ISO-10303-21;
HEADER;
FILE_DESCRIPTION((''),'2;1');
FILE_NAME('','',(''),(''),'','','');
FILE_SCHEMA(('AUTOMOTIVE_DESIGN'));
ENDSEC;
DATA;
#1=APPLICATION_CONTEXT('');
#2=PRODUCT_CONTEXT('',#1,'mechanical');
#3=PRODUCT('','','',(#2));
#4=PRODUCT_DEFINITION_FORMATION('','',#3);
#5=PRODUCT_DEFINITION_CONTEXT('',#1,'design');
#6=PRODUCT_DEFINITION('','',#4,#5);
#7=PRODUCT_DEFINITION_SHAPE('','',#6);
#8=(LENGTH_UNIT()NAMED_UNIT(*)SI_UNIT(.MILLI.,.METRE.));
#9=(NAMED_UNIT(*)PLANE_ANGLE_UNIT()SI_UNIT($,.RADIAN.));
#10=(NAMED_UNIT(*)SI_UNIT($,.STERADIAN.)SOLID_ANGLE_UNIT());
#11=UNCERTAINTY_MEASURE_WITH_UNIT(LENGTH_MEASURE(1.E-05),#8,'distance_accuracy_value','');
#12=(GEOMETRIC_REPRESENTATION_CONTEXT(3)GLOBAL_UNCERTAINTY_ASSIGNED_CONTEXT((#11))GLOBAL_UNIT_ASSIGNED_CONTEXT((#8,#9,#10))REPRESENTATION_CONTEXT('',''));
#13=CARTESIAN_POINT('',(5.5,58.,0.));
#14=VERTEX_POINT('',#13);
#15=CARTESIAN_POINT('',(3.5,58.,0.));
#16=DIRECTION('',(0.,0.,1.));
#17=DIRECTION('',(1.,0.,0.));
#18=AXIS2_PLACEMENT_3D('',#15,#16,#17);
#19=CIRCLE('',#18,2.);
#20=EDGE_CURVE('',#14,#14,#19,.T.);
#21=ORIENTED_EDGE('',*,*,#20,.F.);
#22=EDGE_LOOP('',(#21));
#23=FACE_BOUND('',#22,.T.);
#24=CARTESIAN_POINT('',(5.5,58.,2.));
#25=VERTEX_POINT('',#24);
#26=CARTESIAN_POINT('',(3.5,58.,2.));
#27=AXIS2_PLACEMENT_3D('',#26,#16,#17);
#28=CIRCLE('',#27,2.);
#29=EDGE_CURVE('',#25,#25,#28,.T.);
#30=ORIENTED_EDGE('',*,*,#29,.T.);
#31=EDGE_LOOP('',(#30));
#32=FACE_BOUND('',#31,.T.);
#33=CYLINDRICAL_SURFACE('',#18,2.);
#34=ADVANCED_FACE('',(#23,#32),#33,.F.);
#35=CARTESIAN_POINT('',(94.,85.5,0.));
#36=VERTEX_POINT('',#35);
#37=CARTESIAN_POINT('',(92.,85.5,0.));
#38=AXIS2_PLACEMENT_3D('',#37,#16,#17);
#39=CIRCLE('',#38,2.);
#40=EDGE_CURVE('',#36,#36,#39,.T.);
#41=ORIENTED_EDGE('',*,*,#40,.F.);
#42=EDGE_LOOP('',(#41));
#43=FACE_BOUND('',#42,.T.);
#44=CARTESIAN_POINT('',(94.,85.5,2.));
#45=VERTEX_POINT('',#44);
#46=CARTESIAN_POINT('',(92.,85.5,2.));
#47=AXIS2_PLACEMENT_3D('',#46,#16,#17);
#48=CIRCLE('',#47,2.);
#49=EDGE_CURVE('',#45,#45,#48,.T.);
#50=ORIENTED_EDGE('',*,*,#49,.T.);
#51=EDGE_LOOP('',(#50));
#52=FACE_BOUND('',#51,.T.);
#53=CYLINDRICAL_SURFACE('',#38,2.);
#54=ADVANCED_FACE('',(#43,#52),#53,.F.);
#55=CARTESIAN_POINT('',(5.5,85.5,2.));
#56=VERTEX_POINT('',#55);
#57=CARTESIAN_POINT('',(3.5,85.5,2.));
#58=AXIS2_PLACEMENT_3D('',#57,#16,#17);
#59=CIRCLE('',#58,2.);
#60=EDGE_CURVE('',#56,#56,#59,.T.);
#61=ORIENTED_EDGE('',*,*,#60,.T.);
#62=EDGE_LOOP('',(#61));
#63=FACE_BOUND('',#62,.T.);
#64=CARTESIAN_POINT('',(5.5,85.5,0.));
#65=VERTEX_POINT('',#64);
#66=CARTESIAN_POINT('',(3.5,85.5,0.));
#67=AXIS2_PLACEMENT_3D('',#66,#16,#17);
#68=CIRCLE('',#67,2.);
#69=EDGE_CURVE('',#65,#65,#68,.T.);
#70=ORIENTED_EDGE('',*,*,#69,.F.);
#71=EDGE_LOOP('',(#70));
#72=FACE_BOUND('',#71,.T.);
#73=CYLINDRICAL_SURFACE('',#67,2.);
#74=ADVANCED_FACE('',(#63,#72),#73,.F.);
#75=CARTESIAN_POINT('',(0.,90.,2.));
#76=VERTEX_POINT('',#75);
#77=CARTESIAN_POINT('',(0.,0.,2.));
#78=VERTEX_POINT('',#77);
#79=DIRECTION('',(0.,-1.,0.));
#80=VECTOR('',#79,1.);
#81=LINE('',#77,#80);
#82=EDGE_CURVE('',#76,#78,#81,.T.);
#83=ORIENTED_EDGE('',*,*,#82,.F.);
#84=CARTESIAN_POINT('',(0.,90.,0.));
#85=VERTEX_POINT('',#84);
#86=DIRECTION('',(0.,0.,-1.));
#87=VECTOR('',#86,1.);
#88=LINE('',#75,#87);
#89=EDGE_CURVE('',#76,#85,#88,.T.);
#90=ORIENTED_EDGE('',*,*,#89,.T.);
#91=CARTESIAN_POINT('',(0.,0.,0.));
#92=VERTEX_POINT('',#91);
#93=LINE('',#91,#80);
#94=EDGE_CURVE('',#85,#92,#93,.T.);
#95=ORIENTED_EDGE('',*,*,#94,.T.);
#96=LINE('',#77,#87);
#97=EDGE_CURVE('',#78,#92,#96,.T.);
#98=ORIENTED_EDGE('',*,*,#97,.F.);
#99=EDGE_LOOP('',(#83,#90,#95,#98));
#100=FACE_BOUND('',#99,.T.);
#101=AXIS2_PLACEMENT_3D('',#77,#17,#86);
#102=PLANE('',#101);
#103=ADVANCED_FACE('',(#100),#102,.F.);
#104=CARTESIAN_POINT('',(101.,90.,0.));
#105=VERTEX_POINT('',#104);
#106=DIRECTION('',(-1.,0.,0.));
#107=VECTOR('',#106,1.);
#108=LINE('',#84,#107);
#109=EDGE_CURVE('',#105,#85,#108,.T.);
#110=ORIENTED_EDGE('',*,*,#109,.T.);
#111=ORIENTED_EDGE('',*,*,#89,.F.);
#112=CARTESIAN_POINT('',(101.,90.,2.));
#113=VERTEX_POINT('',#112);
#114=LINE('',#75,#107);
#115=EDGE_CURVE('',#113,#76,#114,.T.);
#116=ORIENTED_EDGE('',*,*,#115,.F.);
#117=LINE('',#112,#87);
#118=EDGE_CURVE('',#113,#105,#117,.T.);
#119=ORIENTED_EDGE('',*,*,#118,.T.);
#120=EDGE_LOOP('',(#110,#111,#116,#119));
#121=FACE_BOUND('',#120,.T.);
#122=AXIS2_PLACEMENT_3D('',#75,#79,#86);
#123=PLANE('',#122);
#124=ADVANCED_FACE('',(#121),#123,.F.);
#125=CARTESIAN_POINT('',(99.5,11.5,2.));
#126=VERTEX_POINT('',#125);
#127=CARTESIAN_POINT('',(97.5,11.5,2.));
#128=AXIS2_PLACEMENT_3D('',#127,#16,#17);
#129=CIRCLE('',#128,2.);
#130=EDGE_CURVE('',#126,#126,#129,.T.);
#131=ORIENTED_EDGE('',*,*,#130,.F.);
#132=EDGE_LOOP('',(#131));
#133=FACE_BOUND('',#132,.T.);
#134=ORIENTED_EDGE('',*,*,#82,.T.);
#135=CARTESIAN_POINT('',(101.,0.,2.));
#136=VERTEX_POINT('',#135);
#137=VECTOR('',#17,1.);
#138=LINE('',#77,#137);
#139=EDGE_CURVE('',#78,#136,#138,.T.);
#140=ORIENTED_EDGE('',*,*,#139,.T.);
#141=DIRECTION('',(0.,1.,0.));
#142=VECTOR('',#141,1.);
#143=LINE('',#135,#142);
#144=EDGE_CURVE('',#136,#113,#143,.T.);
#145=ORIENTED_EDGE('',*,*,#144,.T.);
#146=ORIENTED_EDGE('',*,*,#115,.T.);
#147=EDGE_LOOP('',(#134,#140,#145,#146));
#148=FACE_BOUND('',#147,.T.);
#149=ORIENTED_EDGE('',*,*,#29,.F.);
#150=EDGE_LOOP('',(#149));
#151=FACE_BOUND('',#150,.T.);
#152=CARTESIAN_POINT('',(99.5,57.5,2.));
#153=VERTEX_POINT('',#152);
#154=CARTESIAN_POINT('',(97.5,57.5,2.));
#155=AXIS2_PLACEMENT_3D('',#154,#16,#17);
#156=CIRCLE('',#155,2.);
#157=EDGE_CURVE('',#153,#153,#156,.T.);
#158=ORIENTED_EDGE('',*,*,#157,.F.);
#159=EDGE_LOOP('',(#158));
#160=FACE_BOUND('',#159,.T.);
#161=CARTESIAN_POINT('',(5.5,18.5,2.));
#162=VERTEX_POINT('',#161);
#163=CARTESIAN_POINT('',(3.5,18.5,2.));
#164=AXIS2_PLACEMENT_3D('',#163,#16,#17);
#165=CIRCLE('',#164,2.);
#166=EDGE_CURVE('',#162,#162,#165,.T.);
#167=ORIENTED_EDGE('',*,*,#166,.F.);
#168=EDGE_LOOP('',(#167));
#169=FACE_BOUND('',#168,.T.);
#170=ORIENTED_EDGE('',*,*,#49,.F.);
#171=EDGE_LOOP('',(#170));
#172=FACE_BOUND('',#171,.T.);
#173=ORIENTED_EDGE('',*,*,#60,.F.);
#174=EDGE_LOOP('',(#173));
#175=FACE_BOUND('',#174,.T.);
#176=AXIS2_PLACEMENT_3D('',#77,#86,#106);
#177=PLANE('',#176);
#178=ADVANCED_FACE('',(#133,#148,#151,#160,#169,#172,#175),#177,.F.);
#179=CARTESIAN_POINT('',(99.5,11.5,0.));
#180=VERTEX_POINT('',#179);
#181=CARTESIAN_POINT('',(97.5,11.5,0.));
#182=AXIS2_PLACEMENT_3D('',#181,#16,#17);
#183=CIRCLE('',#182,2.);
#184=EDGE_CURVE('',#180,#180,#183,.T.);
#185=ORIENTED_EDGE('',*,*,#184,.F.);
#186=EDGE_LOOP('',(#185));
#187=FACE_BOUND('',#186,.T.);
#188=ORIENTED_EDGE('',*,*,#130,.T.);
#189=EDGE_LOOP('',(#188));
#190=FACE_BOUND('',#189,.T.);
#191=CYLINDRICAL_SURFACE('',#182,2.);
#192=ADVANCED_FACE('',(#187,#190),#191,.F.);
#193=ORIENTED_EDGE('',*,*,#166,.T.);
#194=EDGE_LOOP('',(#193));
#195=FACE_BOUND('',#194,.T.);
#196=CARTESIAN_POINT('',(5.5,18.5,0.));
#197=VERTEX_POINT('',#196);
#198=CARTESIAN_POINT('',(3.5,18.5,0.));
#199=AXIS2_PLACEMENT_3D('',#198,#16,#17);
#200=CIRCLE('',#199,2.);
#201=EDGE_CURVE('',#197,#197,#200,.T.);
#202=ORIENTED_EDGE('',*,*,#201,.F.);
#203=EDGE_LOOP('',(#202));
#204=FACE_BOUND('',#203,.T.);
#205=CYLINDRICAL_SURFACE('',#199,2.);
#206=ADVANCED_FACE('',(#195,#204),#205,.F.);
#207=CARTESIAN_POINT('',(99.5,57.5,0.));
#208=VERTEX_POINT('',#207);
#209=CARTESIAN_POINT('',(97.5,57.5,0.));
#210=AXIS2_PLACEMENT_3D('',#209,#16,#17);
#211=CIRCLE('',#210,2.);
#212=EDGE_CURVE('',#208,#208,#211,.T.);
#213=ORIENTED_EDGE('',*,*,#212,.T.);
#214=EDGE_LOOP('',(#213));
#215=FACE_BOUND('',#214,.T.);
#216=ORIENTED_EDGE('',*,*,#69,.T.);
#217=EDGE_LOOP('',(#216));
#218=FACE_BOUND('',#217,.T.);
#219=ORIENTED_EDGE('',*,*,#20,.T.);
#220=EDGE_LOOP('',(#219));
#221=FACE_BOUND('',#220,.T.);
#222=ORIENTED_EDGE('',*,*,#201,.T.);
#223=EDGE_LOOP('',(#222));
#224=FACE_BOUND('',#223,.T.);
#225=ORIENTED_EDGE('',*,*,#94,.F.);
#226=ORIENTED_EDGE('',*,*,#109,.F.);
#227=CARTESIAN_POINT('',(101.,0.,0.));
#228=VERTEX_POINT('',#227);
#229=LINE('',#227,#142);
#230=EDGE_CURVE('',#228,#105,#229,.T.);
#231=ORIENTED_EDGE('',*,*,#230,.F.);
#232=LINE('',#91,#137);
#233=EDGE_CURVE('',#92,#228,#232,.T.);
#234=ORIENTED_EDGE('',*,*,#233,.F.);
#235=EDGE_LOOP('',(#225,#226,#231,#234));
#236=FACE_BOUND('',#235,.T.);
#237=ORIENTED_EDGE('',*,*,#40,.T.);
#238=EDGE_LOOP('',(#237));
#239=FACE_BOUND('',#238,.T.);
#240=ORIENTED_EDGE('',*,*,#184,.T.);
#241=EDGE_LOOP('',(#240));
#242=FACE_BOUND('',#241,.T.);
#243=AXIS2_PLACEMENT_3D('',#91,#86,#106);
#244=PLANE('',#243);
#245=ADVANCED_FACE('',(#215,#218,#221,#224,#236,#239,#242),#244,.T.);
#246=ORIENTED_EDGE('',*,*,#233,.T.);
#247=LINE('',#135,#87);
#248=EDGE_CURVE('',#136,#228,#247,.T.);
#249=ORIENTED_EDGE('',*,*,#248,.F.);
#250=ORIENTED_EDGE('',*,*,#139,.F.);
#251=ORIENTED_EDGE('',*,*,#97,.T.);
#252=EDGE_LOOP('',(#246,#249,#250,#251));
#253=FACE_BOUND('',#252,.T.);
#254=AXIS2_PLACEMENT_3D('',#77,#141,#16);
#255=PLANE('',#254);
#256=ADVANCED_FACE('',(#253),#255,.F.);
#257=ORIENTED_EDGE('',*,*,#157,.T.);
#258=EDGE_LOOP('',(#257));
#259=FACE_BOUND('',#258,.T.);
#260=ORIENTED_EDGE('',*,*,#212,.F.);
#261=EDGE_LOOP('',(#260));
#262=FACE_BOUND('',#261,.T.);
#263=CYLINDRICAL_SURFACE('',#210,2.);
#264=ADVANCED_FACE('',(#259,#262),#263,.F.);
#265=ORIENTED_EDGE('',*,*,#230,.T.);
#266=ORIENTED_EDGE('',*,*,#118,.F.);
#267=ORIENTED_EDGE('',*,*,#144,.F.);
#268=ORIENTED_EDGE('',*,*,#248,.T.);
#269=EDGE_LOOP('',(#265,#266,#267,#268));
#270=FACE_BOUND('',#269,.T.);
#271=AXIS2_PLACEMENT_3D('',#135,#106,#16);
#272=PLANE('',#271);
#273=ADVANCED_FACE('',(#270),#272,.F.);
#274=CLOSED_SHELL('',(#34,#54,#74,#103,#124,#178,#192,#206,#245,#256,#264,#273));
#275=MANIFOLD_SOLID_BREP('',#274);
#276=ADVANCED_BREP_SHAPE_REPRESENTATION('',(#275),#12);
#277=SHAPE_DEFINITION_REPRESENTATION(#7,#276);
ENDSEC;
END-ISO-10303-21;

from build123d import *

# Parameters (mm, degrees)
ESQUISSE1_W       = 101
ESQUISSE1_H       = 90
MAIN_SKETCH_DEPTH = 2
HOLE_SKETCH_R     = 2
HOLES_DEPTH       = 3


with BuildPart() as part:
    # Esquisse1 → Main-Sketch (new body)
    with BuildSketch(Plane.XY):
        with Locations((50.5, 45)):
            Rectangle(ESQUISSE1_W, ESQUISSE1_H)
    extrude(amount=MAIN_SKETCH_DEPTH)

    # Hole Sketch → Holes (cut, through all)
    with BuildSketch(Plane.XY.offset(2)):
        with Locations((97.5, 11.5)):
            Circle(HOLE_SKETCH_R)
        with Locations((97.5, 57.5)):
            Circle(HOLE_SKETCH_R)
        with Locations((3.5, 18.5)):
            Circle(HOLE_SKETCH_R)
        with Locations((3.5, 58)):
            Circle(HOLE_SKETCH_R)
        with Locations((3.5, 85.5)):
            Circle(HOLE_SKETCH_R)
        with Locations((92, 85.5)):
            Circle(HOLE_SKETCH_R)
    extrude(amount=-HOLES_DEPTH, mode=Mode.SUBTRACT)


solid = part.part
